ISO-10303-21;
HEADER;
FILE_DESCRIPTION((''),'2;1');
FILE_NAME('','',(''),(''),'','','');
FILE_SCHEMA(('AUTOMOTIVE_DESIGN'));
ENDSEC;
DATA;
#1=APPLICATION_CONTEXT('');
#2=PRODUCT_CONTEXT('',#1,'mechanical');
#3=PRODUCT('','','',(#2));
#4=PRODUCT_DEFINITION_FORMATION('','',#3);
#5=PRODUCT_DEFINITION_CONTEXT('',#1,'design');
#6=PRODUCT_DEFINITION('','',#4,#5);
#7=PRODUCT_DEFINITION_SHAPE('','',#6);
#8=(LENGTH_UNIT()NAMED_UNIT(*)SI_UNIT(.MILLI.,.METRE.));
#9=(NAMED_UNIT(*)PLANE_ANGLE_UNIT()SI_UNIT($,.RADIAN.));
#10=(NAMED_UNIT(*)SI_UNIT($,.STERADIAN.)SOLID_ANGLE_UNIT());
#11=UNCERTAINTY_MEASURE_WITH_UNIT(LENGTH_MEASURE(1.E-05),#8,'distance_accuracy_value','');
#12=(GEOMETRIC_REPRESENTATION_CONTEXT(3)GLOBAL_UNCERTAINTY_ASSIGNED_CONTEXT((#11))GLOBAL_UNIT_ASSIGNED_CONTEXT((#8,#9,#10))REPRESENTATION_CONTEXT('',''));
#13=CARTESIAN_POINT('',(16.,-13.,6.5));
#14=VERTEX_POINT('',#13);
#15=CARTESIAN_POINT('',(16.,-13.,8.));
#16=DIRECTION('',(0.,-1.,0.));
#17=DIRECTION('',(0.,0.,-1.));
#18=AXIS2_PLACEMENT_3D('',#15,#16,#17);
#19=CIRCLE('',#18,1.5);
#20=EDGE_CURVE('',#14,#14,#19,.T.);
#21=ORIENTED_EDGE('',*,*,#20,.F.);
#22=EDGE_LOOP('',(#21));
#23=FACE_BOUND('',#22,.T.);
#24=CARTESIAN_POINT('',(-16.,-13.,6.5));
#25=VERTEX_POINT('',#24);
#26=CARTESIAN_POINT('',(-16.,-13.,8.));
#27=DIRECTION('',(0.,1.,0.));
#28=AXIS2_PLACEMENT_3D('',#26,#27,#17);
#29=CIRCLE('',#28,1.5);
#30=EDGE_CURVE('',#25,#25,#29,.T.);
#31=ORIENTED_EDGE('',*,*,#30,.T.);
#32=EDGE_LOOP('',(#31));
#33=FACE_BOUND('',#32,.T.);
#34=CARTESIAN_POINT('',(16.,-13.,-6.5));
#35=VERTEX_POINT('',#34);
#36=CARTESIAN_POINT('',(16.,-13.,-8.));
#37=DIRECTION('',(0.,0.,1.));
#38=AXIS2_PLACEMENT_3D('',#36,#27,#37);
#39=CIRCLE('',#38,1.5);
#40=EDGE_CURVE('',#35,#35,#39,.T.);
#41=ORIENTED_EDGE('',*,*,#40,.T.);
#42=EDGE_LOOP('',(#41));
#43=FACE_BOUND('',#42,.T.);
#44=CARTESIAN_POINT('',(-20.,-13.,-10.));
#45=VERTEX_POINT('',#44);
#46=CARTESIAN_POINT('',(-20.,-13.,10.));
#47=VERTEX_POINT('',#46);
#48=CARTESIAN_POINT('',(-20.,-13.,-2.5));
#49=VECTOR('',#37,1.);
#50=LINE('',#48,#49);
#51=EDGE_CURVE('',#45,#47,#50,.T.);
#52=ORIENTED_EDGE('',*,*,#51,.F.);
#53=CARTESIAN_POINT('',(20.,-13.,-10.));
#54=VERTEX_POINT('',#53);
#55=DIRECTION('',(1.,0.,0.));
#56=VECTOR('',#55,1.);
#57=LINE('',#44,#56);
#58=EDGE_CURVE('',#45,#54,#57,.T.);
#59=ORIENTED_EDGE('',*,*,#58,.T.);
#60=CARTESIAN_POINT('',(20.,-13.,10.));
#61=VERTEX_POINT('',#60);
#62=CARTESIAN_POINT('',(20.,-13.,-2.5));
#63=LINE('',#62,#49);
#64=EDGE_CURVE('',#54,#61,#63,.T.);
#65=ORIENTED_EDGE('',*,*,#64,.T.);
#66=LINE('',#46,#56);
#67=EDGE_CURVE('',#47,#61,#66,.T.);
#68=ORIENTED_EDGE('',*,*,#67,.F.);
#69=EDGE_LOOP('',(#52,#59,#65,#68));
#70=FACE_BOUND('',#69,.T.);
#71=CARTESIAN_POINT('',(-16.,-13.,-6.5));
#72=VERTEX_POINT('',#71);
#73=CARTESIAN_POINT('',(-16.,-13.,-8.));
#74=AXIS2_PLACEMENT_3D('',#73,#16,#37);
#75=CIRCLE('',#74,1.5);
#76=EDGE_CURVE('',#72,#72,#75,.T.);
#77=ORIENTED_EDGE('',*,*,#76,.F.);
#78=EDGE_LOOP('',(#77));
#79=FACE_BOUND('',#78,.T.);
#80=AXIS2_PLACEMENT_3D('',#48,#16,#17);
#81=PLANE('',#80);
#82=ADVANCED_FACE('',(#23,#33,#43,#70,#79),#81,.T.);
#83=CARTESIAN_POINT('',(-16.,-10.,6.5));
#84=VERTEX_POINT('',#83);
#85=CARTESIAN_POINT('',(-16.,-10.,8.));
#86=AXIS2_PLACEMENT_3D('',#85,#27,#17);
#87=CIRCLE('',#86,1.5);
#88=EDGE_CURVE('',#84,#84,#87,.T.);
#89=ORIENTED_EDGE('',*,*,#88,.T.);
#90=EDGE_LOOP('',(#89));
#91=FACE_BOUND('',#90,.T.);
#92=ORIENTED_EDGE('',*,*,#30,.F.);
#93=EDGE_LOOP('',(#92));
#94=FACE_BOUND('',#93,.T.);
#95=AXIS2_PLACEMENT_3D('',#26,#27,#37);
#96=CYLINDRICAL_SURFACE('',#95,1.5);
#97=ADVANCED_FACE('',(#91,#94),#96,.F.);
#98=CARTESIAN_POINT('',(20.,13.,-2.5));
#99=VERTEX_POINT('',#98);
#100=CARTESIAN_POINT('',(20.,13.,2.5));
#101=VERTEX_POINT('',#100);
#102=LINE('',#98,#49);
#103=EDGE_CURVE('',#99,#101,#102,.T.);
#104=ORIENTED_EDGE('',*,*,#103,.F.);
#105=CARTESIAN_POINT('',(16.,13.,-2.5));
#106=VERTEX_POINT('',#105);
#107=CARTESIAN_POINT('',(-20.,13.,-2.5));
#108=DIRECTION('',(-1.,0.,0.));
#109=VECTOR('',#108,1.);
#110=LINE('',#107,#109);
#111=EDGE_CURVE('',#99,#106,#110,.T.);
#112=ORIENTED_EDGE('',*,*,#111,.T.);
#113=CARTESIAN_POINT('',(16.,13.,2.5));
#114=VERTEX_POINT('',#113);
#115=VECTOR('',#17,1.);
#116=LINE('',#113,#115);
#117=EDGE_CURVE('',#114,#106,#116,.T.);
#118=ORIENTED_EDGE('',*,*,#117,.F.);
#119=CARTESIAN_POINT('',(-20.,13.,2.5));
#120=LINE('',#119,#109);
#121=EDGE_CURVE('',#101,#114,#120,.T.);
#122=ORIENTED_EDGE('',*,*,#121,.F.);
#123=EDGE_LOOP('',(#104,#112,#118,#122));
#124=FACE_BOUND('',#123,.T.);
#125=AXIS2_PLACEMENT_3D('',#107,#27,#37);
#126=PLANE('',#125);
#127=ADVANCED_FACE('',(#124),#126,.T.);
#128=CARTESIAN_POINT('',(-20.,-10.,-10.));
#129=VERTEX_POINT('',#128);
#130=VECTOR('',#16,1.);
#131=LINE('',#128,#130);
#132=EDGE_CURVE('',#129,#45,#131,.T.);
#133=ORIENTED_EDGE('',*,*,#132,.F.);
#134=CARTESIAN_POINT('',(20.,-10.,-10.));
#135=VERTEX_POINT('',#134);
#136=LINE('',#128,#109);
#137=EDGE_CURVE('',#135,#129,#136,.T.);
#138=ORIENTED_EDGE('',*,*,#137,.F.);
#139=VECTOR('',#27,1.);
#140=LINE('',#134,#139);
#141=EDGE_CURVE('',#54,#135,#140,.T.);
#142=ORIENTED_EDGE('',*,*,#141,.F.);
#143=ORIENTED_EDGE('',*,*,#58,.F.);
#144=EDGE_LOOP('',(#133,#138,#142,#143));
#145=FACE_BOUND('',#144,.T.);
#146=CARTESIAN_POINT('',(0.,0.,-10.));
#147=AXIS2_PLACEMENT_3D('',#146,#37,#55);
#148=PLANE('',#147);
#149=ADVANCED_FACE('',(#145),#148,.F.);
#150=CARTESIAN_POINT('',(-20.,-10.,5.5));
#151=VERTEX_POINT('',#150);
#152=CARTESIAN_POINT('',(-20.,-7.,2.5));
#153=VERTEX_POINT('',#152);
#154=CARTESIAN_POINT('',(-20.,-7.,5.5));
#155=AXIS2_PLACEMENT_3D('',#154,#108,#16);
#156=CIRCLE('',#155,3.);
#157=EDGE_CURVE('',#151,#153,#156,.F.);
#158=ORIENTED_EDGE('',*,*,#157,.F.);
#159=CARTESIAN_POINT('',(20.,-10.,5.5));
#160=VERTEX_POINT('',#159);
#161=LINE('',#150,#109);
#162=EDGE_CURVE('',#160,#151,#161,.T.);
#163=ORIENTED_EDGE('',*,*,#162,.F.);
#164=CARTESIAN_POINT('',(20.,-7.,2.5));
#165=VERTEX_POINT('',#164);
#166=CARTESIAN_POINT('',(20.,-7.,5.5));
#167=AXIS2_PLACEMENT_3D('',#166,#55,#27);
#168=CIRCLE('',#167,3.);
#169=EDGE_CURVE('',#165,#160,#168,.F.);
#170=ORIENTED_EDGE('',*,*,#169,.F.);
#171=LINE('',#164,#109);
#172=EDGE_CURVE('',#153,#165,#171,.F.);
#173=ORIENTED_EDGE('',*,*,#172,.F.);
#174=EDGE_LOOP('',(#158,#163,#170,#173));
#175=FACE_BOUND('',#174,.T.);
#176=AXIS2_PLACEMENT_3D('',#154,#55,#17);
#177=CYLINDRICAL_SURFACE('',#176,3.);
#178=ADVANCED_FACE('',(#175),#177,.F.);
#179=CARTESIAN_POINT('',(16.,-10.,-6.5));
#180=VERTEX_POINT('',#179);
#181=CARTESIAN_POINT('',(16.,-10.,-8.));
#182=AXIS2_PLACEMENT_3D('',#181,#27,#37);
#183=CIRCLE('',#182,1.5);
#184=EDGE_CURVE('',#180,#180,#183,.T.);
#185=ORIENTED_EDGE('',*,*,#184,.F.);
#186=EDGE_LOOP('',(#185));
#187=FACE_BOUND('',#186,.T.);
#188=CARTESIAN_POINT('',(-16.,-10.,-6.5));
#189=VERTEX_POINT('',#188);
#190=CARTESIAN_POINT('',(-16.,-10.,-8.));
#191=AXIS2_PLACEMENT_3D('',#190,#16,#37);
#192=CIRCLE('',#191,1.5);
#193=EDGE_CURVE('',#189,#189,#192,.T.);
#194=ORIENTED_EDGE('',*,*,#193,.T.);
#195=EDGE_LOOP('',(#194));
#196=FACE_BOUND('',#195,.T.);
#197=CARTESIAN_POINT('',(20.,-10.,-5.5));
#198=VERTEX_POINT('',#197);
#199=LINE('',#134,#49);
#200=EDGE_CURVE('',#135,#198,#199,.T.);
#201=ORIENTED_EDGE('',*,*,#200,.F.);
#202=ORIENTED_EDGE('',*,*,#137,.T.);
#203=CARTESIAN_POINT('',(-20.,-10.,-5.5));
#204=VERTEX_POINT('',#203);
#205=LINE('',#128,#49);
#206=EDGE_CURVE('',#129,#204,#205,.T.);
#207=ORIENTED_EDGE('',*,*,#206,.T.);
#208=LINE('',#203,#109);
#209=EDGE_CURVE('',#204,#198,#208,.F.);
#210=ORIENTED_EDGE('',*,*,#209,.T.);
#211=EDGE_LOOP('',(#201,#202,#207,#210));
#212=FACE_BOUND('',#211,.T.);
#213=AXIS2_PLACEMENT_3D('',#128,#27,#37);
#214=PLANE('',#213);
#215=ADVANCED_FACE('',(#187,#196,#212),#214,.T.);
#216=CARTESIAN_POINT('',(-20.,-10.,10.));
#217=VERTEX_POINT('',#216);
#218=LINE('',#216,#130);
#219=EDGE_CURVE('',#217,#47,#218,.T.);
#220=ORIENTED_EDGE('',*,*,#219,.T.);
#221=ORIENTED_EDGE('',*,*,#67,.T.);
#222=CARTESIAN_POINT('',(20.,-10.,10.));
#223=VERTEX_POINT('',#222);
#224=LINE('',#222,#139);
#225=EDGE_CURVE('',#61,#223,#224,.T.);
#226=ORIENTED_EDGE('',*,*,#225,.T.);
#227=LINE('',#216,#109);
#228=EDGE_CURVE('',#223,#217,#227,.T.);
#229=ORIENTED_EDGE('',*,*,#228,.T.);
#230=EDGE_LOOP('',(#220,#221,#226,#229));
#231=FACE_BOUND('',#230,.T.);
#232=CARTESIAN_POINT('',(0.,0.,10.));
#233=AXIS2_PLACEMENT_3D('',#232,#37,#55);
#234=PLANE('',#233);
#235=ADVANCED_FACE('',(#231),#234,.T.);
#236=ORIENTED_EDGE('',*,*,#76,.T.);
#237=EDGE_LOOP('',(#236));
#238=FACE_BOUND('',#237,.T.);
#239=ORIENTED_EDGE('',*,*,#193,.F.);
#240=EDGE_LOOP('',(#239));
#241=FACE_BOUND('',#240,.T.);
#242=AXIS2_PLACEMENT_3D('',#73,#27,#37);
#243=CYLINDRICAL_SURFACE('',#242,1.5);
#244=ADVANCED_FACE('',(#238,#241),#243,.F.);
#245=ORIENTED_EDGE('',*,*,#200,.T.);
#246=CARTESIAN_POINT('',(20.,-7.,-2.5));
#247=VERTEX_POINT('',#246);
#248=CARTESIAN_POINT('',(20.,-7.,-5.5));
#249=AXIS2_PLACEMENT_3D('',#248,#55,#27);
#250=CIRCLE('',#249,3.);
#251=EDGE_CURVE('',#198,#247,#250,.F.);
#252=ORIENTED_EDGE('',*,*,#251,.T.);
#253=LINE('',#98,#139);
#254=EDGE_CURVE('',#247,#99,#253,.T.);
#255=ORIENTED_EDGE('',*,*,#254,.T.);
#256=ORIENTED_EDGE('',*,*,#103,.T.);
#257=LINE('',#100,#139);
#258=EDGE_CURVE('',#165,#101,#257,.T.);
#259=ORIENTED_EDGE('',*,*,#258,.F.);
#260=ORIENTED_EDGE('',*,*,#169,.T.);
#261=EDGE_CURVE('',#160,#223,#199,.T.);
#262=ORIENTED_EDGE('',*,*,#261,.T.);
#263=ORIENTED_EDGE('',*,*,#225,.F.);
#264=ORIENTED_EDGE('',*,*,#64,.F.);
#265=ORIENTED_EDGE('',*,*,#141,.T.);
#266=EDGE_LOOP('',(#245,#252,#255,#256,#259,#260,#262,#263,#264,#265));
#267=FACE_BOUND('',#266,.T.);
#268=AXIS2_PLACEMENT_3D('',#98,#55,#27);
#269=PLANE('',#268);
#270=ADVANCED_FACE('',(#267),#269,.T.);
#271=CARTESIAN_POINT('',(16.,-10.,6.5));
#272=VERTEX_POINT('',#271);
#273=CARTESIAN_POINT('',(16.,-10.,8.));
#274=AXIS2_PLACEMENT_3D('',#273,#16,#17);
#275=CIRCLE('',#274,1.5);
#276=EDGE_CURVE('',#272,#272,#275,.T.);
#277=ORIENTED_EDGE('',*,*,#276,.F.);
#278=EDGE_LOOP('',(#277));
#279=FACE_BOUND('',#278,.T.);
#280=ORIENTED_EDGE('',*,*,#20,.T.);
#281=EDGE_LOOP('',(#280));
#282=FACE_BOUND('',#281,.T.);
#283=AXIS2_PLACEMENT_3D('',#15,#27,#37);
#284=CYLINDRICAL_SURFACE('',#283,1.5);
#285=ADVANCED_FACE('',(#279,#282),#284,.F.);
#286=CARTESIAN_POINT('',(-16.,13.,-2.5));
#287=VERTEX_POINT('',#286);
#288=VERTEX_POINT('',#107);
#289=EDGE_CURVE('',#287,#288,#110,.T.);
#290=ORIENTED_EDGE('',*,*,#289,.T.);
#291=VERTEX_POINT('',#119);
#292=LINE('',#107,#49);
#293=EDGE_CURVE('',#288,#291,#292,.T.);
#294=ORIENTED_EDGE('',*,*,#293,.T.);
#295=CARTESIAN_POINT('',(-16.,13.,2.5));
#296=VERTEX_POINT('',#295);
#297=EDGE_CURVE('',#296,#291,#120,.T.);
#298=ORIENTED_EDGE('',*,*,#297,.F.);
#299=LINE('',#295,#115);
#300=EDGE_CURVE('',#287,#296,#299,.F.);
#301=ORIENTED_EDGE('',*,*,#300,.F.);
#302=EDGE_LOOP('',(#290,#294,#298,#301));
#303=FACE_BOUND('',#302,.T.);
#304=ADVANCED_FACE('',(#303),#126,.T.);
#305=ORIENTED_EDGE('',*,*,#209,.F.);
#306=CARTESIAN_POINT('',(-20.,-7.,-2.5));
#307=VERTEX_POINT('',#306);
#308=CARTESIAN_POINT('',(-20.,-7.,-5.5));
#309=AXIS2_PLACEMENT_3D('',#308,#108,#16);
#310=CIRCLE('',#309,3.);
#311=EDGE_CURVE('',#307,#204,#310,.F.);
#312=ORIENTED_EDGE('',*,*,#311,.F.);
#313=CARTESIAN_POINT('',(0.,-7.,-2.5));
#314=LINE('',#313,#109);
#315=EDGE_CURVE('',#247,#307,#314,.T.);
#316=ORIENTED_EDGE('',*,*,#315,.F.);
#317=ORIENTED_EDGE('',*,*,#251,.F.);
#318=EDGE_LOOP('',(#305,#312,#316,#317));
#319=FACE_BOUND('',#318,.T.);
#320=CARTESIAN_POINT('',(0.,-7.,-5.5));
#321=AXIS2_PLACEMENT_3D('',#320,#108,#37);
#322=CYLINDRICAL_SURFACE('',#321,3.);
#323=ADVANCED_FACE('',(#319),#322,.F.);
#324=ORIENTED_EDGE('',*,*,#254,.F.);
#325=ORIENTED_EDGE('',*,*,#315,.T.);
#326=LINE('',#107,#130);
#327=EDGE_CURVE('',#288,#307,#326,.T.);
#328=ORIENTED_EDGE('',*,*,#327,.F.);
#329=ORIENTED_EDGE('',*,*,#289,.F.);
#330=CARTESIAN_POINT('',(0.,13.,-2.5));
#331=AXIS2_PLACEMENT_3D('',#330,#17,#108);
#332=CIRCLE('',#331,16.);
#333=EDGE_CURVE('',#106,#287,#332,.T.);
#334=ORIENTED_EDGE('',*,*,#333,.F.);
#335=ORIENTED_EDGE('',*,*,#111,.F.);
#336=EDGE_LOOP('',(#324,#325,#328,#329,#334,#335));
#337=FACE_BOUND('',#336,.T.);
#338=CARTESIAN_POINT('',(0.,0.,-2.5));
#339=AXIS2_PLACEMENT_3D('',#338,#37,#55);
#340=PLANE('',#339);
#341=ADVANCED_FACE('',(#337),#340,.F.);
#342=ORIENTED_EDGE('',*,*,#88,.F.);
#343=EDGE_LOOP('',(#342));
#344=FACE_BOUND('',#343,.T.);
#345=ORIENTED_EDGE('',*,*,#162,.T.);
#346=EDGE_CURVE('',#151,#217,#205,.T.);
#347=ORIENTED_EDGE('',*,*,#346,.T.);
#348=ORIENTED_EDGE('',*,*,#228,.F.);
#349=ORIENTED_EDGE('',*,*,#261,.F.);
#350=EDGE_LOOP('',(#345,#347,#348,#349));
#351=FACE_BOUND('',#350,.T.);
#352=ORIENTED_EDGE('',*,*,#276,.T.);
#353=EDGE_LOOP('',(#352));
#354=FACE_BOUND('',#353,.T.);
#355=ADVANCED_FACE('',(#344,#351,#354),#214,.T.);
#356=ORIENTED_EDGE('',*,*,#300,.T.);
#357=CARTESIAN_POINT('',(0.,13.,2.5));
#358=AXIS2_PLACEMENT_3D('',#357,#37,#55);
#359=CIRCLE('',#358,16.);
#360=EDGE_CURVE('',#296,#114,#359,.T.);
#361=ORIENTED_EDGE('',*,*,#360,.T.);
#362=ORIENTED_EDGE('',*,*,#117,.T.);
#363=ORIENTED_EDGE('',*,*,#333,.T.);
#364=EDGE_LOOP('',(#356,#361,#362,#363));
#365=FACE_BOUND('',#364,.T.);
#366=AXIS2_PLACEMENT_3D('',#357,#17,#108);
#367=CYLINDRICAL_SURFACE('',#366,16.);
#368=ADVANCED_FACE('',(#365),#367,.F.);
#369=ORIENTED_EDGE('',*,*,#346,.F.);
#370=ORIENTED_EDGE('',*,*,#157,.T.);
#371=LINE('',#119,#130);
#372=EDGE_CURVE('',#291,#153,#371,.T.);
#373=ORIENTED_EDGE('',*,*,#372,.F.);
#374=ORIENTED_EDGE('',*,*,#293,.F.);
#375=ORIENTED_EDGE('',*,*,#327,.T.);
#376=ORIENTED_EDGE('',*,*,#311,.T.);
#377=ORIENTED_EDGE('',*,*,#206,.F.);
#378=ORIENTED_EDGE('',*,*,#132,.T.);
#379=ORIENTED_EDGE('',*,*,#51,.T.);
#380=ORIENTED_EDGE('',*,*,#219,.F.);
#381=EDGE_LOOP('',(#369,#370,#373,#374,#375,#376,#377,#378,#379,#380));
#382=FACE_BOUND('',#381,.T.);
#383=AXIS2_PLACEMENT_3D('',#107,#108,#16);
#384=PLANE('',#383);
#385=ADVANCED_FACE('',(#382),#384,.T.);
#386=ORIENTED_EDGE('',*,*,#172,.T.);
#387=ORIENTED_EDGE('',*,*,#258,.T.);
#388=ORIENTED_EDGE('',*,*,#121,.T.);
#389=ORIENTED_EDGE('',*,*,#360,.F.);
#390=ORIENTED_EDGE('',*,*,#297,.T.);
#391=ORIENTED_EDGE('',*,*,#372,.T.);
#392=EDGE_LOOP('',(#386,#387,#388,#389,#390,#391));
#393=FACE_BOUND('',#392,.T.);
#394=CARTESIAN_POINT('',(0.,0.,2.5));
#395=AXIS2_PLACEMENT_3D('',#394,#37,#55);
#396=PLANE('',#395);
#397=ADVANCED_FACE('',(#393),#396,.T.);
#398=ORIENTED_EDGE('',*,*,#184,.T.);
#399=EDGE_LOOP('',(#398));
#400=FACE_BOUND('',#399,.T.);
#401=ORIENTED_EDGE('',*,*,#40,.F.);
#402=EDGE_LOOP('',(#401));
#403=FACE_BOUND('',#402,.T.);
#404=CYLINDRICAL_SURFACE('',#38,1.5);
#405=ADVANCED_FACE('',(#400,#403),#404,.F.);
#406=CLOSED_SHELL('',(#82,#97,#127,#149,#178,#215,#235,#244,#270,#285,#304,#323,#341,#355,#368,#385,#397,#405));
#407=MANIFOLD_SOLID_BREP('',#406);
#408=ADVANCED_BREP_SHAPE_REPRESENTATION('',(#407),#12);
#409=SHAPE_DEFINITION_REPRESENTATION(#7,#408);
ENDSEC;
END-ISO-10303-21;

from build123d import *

# Parameters (mm, degrees)
BOSS_EXTRUDE1_DEPTH      = 2.5
BOSS_EXTRUDE1_DEPTH_BACK = 2.5
SKETCH1_W                = 40
SKETCH1_H                = 26
SKETCH2_R                = 16
CUT_EXTRUDE1_DEPTH       = 25.372115214
BOSS_EXTRUDE2_DEPTH      = 10
BOSS_EXTRUDE2_DEPTH_BACK = 10
SKETCH3_W                = 40
SKETCH3_H                = 3
FILLET1_R                = 3
SKETCH4_R                = 1.5
CUT_EXTRUDE2_DEPTH       = 33.078029865
MIRROR2_COPY_1_SKETCH_R  = 1.5
MIRROR2_COPY_1_DEPTH     = 33.078029865


with BuildPart() as part:
    # Sketch1 → Boss-Extrude1 (new, two sides: drawn at the far end of the back side and taken through both)
    with BuildSketch(Plane.XY.offset(-BOSS_EXTRUDE1_DEPTH_BACK)):
        Rectangle(SKETCH1_W, SKETCH1_H)
    extrude(amount=BOSS_EXTRUDE1_DEPTH + BOSS_EXTRUDE1_DEPTH_BACK)

    # Sketch2 → Cut-Extrude1 (cut, through all)
    with BuildSketch(Plane(origin=(0, 0, -2.5), x_dir=(-1, 0, 0), z_dir=(0, 0, -1))):
        with Locations((0, 13)):
            Circle(SKETCH2_R)
    extrude(amount=-CUT_EXTRUDE1_DEPTH, mode=Mode.SUBTRACT)

    # Sketch3 → Boss-Extrude2 (add, two sides: drawn at the far end of the back side and taken through both)
    with BuildSketch(Plane.XY.offset(-BOSS_EXTRUDE2_DEPTH_BACK)):
        with Locations((0, -11.5)):
            Rectangle(SKETCH3_W, SKETCH3_H)
    extrude(amount=BOSS_EXTRUDE2_DEPTH + BOSS_EXTRUDE2_DEPTH_BACK)

    # Fillet1
    fillet1_edges = [part.edges().sort_by_distance(p)[0] for p in [
        (0, -10, -2.5),
        (0, -10, 2.5),
    ]]
    fillet(fillet1_edges, radius=FILLET1_R)

    # Sketch4 → Cut-Extrude2 (cut, through all)
    with BuildSketch(Plane(origin=(0, -10, 0), x_dir=(1, 0, 0), z_dir=(0, 1, 0))):
        with Locations((16, 8)):
            Circle(SKETCH4_R)
    cut_extrude2 = extrude(amount=-CUT_EXTRUDE2_DEPTH, mode=Mode.SUBTRACT)

    # Mirror1: Cut-Extrude2 across plane
    add(cut_extrude2.mirror(Plane.XY), mode=Mode.SUBTRACT)

    # Mirror2: Cut-Extrude2 across plane
    add(cut_extrude2.mirror(Plane(origin=(0, 0, 0), x_dir=(0, 0, 1), z_dir=(1, 0, 0))), mode=Mode.SUBTRACT)

    # Mirror2 copy 1 sketch → Mirror2 copy 1 (cut, through all)
    with BuildSketch(Plane(origin=(0, -10, 0), x_dir=(-1, 0, 0), z_dir=(0, 1, 0))):
        with Locations((16, 8)):
            Circle(MIRROR2_COPY_1_SKETCH_R)
    extrude(amount=-MIRROR2_COPY_1_DEPTH, mode=Mode.SUBTRACT)


solid = part.part
